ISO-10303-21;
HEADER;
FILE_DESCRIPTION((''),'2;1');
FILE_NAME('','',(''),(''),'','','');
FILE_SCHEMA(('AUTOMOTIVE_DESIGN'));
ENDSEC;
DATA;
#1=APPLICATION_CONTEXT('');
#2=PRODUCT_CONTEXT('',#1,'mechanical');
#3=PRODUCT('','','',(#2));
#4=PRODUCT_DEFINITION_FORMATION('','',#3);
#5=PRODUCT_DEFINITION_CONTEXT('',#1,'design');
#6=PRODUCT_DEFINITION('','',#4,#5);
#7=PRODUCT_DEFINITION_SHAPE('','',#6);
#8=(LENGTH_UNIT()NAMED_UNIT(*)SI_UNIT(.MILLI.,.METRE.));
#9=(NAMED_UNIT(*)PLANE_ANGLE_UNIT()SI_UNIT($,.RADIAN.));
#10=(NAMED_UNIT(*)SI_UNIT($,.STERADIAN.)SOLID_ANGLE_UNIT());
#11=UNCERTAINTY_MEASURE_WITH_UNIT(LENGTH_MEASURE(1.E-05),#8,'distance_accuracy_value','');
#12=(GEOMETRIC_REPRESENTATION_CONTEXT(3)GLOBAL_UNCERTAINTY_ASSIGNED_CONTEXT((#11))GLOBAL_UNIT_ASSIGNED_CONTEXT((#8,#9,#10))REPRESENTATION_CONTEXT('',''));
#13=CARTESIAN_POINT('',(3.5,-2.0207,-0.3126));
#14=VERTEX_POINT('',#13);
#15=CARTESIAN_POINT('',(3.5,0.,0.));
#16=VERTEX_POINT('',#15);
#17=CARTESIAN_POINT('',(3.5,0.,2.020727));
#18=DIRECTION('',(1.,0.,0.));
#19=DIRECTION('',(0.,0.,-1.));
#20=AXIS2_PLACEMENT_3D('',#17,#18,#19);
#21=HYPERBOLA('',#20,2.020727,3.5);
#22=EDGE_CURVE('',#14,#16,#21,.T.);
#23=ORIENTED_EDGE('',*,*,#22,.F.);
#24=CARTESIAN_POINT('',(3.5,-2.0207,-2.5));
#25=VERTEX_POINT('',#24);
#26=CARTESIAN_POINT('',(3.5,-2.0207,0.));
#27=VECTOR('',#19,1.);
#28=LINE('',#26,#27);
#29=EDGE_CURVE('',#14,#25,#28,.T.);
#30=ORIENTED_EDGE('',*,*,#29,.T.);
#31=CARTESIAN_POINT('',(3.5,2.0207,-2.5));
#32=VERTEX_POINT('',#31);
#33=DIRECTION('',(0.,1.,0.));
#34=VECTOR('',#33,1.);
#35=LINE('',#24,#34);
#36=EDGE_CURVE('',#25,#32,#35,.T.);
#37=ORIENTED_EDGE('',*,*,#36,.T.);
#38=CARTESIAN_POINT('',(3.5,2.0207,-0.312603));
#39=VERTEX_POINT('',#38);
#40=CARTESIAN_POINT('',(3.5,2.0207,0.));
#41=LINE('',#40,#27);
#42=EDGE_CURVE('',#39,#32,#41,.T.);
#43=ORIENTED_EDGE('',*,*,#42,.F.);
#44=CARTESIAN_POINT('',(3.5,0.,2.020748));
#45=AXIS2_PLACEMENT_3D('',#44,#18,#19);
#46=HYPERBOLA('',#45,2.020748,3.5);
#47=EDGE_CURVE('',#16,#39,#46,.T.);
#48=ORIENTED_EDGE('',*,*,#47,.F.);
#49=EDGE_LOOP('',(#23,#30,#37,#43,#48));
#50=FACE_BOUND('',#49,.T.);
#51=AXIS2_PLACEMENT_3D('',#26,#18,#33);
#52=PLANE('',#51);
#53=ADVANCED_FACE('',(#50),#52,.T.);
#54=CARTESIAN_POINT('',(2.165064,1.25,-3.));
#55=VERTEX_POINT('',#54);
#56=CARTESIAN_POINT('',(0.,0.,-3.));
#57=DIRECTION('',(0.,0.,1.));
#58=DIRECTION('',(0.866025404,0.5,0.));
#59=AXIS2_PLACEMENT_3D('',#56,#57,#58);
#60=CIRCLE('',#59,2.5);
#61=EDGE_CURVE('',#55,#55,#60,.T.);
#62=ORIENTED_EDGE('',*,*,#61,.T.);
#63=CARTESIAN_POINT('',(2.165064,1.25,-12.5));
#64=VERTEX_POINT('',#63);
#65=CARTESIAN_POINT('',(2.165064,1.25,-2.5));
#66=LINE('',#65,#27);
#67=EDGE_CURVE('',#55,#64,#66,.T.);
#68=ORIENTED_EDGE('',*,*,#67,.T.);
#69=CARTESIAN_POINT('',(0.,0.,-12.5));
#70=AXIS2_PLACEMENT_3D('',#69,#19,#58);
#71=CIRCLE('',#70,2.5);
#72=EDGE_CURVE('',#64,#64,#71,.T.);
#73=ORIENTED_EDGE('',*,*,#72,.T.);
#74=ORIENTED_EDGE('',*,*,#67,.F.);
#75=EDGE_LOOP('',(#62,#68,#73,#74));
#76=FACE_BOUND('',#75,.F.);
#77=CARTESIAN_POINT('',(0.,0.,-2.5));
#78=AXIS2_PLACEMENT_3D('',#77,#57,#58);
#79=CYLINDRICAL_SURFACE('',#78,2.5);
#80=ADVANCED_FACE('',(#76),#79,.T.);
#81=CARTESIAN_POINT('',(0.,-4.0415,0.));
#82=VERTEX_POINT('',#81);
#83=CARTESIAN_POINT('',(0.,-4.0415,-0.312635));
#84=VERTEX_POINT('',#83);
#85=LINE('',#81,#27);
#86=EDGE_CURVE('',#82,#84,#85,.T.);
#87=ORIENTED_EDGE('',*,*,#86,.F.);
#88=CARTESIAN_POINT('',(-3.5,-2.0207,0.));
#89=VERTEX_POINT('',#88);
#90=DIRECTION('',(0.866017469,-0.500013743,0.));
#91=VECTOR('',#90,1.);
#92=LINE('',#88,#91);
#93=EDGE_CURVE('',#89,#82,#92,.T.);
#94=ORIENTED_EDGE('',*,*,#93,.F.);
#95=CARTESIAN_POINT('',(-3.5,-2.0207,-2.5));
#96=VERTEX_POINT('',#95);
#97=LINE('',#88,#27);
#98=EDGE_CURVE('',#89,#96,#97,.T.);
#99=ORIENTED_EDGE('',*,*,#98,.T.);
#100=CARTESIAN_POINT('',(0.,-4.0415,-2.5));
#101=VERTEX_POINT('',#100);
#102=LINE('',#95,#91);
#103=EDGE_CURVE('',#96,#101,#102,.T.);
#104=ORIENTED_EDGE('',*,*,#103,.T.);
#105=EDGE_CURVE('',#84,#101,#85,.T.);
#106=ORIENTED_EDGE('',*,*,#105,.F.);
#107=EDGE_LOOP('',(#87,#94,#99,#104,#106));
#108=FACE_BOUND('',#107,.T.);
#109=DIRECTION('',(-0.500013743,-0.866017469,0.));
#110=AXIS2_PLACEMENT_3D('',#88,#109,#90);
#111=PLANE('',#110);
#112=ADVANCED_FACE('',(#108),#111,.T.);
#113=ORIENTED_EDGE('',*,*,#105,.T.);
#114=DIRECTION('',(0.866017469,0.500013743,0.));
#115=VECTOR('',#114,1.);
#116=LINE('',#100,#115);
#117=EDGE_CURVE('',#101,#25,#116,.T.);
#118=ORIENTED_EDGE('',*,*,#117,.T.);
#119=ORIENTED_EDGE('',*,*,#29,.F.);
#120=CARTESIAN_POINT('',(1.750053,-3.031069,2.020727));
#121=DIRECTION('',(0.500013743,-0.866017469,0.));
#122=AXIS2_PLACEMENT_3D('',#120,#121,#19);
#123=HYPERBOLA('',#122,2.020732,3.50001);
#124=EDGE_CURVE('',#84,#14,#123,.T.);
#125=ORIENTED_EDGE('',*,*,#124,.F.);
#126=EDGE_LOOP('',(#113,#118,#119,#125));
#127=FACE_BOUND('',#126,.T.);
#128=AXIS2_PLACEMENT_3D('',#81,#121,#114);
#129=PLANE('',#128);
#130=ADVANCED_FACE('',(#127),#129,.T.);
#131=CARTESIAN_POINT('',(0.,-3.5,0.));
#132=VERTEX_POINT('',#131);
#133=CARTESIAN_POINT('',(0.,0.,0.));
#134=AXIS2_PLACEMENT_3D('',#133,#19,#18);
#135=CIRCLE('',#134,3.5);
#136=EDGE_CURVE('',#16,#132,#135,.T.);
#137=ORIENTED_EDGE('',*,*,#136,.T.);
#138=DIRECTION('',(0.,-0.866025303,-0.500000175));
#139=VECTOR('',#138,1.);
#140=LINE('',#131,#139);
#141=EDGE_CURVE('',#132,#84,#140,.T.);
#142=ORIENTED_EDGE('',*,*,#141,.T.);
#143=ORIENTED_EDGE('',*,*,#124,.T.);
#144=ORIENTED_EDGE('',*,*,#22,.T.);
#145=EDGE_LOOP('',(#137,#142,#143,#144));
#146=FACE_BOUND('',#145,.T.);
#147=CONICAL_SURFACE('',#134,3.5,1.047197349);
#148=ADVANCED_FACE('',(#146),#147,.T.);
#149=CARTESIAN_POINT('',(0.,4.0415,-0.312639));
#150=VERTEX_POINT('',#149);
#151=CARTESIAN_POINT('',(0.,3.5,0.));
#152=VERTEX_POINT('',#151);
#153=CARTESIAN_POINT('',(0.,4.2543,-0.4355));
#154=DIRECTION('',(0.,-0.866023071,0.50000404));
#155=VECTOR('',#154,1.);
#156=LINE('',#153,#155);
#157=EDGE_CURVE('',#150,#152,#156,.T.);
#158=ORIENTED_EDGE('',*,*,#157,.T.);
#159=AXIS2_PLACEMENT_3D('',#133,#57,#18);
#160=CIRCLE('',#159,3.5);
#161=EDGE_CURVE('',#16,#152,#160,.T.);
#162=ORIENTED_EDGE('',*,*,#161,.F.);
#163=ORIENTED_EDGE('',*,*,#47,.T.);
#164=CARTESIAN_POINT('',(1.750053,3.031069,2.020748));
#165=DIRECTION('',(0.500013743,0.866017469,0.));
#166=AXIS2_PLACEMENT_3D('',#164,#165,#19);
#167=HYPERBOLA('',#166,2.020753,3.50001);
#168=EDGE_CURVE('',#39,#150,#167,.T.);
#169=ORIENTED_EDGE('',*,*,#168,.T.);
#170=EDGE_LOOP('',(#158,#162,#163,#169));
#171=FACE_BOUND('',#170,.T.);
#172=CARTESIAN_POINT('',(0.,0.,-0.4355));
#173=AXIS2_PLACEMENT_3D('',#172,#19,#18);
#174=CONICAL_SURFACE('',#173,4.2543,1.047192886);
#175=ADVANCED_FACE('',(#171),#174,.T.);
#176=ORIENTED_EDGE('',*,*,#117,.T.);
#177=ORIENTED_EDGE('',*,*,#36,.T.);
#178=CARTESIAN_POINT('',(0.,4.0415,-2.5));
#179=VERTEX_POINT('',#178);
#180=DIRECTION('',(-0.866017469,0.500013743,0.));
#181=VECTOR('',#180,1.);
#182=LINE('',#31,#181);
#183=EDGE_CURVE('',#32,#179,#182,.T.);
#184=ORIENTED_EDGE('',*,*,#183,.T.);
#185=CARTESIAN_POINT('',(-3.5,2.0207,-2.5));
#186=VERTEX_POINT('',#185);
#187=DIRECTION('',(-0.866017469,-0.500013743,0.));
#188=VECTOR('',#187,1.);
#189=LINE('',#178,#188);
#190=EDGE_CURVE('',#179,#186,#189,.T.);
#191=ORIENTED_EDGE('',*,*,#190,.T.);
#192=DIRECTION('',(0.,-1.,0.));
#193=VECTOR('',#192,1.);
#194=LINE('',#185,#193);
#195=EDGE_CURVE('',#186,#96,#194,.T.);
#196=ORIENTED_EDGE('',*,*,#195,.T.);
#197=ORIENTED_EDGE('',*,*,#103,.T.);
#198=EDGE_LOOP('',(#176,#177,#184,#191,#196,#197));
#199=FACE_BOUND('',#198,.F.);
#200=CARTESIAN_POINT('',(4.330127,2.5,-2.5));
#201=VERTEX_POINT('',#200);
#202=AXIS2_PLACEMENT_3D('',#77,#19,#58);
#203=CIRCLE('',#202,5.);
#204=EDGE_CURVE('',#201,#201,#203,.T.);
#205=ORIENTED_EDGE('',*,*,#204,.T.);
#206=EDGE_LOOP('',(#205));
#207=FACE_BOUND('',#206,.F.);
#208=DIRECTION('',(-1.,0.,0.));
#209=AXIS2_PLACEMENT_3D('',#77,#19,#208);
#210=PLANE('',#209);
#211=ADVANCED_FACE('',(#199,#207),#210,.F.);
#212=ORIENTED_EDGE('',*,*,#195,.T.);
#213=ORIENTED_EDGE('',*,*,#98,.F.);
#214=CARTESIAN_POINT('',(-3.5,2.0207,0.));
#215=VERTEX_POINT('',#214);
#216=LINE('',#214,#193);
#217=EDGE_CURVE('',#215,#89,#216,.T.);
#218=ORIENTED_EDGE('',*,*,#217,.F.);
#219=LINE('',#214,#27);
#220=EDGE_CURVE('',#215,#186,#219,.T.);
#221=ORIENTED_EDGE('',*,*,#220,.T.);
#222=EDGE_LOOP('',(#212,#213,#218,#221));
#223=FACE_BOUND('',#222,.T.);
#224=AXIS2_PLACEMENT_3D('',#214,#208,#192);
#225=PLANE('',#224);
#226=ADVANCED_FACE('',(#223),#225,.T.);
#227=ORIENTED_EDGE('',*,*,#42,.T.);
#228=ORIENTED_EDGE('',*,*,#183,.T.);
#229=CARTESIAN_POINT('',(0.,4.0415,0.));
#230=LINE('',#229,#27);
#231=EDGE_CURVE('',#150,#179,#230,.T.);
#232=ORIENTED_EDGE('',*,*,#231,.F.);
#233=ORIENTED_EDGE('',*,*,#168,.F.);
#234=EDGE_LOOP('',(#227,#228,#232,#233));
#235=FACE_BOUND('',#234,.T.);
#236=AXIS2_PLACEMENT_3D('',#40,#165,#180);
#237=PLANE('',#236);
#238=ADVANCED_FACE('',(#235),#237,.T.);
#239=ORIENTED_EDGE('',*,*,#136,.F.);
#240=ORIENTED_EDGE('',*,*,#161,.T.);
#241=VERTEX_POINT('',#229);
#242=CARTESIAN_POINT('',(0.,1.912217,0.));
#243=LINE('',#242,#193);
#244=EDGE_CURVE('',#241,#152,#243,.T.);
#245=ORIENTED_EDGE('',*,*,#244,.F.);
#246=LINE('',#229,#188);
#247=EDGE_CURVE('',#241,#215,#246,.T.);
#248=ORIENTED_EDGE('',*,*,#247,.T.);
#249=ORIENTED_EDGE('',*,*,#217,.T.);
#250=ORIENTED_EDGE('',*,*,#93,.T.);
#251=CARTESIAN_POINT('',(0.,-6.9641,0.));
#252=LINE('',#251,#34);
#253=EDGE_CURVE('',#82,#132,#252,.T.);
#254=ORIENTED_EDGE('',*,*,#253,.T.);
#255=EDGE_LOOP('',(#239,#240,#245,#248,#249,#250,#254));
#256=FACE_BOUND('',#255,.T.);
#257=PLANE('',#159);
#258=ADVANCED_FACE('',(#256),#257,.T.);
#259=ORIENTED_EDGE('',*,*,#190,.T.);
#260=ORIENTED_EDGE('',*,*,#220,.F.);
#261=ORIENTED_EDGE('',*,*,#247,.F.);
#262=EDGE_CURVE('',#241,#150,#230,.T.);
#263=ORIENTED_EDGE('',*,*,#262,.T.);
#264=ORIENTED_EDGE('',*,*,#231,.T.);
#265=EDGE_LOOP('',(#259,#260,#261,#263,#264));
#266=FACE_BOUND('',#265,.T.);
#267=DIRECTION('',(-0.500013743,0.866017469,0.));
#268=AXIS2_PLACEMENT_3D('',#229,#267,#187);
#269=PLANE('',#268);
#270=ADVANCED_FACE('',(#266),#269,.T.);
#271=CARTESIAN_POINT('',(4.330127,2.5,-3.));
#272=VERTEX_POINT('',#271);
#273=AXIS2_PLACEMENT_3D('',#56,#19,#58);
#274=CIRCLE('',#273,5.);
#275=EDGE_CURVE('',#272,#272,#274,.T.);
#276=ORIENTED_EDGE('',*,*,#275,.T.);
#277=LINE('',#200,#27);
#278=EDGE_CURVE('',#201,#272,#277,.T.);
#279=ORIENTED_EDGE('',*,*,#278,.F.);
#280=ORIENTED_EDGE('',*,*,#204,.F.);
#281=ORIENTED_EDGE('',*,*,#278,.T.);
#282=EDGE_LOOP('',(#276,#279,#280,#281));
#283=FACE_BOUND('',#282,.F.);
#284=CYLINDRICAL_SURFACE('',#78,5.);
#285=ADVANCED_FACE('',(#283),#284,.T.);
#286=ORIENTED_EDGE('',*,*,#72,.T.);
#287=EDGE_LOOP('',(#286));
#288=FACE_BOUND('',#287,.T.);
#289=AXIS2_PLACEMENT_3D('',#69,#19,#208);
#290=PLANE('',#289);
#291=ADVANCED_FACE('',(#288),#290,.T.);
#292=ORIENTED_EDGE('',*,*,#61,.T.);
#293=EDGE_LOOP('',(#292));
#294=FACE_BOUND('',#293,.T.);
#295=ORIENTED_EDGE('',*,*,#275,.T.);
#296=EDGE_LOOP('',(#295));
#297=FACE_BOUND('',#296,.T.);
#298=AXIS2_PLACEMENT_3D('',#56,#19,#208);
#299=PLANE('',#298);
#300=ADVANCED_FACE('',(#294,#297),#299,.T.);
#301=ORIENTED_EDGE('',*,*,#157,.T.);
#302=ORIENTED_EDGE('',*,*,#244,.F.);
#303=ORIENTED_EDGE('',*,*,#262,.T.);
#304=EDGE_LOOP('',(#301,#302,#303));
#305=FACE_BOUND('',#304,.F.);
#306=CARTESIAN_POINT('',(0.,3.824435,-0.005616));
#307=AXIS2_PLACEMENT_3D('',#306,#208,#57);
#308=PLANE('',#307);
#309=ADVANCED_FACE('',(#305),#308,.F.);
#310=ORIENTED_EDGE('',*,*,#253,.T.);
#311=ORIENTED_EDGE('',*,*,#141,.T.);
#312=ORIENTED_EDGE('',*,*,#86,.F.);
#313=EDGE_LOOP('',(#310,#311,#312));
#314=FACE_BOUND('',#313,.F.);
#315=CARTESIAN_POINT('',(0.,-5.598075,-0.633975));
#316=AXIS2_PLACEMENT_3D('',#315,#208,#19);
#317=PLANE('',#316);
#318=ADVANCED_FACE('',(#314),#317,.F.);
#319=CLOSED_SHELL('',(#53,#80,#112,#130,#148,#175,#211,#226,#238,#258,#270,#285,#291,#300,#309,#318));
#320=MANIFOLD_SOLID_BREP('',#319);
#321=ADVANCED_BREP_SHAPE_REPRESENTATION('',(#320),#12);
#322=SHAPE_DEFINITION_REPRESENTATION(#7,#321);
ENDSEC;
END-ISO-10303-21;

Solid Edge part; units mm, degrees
sketch "Sketch1" plane through (0, 0, 0) normal (0, 0, 1) x (1, 0, 0)
  line L0 (0, -4.0415) -> (3.5, -2.0207)
  line L1 (3.5, -2.0207) -> (3.5, 2.0207)
  line L2 (3.5, 2.0207) -> (0, 4.0415)
  line L3 (0, 4.0415) -> (-3.5, 2.0207)
  line L4 (-3.5, 2.0207) -> (-3.5, -2.0207)
  line L5 (-3.5, -2.0207) -> (0, -4.0415)
extrude "Protrusion1" add sketch "Sketch1" against normal blind 2.5
sketch "Sketch2" plane through (0, 0, -2.5) normal (0, 0, -1) x (0.866, 0.5, 0)
  circle A0 centre (0, 0) radius 5
extrude "ExtrudedProtrusion_2" add sketch "Sketch2" along normal blind 0.5
sketch "Sketch3" plane through (0, 0, -2.5) normal (0, 0, -1) x (0.866, 0.5, 0)
  circle A0 centre (0, 0) radius 2.5
extrude "ExtrudedProtrusion_3" add sketch "Sketch3" along normal blind 10
sketch "Sketch4" plane through (0, 0, 0) normal (0, -1, 0) x (1, 0, 0)
  line L0 (6.9641, 0) -> (3.5, 0)
  line L1 (3.5, 0) -> (6.9641, -2)
  line L2 (6.9641, -2) -> (6.9641, 0)
revolve "RevolvedCutout1" cut sketch "Sketch4" angle 90 about axis through (0, 0, 0) along (0, 0, -1)
sketch "Sketch5" plane through (0, 0, 0) normal (0, -1, 0) x (1, 0, 0)
  line L0 (3.1642, 0.1939) -> (4.2543, 0.1939)
  line L1 (4.2543, 0.1939) -> (4.2543, -0.4355)
  line L2 (4.2543, -0.4355) -> (3.5, 0)
  line L3 (3.5, 0) -> (3.1642, 0.1939)
revolve "RevolvedCutout_6" cut sketch "Sketch5" angle 90 about axis through (0, 0, 0) along (0, 0, 1)
